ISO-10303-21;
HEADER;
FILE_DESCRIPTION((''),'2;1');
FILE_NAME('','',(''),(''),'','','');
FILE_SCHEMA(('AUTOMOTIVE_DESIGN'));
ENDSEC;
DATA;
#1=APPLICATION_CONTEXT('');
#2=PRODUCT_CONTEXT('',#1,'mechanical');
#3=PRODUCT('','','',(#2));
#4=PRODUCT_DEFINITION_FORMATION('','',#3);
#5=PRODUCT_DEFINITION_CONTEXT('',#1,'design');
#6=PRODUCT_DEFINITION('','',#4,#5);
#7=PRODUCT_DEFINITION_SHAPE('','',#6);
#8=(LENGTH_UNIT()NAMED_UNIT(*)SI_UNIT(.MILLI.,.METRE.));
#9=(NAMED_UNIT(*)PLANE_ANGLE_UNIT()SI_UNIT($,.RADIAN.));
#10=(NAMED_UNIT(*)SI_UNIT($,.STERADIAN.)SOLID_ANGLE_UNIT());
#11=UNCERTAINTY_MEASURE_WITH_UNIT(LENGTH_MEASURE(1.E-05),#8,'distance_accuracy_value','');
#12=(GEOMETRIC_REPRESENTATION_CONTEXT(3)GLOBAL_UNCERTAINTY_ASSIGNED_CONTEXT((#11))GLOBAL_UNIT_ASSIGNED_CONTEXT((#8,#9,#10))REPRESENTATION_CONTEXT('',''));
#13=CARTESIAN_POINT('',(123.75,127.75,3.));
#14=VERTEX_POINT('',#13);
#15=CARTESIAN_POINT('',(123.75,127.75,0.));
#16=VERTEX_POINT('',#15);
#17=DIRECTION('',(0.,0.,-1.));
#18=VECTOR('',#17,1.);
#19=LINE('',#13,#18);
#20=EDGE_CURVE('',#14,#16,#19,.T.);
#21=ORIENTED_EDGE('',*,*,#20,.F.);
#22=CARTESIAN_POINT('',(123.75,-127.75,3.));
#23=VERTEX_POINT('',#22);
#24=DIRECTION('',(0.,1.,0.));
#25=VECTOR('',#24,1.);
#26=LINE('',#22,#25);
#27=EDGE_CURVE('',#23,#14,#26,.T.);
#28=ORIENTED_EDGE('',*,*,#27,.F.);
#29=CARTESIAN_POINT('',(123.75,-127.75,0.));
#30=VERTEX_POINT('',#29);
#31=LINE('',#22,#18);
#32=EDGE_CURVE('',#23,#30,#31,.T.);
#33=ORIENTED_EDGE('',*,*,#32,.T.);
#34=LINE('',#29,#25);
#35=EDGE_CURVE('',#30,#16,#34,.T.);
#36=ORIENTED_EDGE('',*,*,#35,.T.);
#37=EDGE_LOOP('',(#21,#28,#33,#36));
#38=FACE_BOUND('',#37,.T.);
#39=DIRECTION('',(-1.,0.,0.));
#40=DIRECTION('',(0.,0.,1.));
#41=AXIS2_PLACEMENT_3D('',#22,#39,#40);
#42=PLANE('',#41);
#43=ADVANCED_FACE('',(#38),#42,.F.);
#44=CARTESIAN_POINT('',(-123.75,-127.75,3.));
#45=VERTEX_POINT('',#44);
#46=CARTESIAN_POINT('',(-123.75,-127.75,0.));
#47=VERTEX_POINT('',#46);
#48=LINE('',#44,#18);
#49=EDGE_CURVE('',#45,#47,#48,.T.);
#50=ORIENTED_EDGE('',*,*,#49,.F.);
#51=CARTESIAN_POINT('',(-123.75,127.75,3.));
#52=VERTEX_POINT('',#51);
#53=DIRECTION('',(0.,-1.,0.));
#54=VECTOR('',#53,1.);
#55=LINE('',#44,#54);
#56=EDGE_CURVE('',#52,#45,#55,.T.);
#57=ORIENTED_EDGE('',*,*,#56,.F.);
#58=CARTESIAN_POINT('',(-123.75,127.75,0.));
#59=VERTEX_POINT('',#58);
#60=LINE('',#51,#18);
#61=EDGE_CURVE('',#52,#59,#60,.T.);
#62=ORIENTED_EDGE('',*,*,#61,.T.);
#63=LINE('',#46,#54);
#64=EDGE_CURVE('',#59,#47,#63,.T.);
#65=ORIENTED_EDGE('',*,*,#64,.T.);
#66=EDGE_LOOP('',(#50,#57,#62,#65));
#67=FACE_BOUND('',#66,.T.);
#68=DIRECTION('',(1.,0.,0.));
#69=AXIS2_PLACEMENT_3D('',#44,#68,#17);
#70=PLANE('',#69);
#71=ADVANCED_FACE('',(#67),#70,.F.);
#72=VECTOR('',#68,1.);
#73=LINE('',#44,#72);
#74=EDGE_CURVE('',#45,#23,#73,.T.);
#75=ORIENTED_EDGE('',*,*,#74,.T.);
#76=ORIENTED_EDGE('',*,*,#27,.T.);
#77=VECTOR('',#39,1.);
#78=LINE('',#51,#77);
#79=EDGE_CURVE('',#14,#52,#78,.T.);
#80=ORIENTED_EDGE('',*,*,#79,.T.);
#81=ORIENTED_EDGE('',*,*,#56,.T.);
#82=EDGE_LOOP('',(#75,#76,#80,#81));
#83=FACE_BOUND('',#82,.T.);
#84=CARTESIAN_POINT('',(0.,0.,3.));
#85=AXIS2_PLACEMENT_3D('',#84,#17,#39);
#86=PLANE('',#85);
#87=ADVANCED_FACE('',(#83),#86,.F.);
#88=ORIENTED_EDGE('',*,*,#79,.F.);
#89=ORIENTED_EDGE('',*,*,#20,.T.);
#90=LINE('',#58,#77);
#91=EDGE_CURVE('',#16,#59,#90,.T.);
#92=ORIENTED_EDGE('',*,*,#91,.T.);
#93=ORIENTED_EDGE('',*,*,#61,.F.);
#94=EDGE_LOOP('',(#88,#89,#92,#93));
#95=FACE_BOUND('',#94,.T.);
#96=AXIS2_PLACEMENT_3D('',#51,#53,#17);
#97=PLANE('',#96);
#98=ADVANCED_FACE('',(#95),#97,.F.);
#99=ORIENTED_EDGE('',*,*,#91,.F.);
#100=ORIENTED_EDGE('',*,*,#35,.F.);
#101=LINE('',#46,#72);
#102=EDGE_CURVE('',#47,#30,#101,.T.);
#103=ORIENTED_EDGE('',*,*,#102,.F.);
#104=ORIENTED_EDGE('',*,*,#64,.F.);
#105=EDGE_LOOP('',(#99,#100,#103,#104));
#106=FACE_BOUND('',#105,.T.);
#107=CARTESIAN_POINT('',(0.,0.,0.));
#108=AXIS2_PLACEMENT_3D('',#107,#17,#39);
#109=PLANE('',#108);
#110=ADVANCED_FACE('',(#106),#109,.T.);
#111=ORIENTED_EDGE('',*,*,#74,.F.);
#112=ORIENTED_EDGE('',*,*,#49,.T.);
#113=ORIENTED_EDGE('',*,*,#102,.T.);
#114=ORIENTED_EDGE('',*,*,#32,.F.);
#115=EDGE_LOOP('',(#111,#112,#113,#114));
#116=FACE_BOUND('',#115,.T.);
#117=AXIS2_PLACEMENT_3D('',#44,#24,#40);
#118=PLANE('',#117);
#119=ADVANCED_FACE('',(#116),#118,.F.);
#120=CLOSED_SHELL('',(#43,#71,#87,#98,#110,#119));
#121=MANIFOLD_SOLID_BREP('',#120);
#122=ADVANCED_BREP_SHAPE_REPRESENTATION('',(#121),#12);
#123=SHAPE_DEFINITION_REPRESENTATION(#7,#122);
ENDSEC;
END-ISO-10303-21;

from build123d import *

# Parameters (mm, degrees)
ESQUISSE1_W        = 247.5
ESQUISSE1_H        = 255.5
BOSS_EXTRU_1_DEPTH = 3


with BuildPart() as part:
    # Esquisse1 → Boss.-Extru.1 (new body)
    with BuildSketch(Plane.XY):
        Rectangle(ESQUISSE1_W, ESQUISSE1_H)
    extrude(amount=BOSS_EXTRU_1_DEPTH)


solid = part.part
